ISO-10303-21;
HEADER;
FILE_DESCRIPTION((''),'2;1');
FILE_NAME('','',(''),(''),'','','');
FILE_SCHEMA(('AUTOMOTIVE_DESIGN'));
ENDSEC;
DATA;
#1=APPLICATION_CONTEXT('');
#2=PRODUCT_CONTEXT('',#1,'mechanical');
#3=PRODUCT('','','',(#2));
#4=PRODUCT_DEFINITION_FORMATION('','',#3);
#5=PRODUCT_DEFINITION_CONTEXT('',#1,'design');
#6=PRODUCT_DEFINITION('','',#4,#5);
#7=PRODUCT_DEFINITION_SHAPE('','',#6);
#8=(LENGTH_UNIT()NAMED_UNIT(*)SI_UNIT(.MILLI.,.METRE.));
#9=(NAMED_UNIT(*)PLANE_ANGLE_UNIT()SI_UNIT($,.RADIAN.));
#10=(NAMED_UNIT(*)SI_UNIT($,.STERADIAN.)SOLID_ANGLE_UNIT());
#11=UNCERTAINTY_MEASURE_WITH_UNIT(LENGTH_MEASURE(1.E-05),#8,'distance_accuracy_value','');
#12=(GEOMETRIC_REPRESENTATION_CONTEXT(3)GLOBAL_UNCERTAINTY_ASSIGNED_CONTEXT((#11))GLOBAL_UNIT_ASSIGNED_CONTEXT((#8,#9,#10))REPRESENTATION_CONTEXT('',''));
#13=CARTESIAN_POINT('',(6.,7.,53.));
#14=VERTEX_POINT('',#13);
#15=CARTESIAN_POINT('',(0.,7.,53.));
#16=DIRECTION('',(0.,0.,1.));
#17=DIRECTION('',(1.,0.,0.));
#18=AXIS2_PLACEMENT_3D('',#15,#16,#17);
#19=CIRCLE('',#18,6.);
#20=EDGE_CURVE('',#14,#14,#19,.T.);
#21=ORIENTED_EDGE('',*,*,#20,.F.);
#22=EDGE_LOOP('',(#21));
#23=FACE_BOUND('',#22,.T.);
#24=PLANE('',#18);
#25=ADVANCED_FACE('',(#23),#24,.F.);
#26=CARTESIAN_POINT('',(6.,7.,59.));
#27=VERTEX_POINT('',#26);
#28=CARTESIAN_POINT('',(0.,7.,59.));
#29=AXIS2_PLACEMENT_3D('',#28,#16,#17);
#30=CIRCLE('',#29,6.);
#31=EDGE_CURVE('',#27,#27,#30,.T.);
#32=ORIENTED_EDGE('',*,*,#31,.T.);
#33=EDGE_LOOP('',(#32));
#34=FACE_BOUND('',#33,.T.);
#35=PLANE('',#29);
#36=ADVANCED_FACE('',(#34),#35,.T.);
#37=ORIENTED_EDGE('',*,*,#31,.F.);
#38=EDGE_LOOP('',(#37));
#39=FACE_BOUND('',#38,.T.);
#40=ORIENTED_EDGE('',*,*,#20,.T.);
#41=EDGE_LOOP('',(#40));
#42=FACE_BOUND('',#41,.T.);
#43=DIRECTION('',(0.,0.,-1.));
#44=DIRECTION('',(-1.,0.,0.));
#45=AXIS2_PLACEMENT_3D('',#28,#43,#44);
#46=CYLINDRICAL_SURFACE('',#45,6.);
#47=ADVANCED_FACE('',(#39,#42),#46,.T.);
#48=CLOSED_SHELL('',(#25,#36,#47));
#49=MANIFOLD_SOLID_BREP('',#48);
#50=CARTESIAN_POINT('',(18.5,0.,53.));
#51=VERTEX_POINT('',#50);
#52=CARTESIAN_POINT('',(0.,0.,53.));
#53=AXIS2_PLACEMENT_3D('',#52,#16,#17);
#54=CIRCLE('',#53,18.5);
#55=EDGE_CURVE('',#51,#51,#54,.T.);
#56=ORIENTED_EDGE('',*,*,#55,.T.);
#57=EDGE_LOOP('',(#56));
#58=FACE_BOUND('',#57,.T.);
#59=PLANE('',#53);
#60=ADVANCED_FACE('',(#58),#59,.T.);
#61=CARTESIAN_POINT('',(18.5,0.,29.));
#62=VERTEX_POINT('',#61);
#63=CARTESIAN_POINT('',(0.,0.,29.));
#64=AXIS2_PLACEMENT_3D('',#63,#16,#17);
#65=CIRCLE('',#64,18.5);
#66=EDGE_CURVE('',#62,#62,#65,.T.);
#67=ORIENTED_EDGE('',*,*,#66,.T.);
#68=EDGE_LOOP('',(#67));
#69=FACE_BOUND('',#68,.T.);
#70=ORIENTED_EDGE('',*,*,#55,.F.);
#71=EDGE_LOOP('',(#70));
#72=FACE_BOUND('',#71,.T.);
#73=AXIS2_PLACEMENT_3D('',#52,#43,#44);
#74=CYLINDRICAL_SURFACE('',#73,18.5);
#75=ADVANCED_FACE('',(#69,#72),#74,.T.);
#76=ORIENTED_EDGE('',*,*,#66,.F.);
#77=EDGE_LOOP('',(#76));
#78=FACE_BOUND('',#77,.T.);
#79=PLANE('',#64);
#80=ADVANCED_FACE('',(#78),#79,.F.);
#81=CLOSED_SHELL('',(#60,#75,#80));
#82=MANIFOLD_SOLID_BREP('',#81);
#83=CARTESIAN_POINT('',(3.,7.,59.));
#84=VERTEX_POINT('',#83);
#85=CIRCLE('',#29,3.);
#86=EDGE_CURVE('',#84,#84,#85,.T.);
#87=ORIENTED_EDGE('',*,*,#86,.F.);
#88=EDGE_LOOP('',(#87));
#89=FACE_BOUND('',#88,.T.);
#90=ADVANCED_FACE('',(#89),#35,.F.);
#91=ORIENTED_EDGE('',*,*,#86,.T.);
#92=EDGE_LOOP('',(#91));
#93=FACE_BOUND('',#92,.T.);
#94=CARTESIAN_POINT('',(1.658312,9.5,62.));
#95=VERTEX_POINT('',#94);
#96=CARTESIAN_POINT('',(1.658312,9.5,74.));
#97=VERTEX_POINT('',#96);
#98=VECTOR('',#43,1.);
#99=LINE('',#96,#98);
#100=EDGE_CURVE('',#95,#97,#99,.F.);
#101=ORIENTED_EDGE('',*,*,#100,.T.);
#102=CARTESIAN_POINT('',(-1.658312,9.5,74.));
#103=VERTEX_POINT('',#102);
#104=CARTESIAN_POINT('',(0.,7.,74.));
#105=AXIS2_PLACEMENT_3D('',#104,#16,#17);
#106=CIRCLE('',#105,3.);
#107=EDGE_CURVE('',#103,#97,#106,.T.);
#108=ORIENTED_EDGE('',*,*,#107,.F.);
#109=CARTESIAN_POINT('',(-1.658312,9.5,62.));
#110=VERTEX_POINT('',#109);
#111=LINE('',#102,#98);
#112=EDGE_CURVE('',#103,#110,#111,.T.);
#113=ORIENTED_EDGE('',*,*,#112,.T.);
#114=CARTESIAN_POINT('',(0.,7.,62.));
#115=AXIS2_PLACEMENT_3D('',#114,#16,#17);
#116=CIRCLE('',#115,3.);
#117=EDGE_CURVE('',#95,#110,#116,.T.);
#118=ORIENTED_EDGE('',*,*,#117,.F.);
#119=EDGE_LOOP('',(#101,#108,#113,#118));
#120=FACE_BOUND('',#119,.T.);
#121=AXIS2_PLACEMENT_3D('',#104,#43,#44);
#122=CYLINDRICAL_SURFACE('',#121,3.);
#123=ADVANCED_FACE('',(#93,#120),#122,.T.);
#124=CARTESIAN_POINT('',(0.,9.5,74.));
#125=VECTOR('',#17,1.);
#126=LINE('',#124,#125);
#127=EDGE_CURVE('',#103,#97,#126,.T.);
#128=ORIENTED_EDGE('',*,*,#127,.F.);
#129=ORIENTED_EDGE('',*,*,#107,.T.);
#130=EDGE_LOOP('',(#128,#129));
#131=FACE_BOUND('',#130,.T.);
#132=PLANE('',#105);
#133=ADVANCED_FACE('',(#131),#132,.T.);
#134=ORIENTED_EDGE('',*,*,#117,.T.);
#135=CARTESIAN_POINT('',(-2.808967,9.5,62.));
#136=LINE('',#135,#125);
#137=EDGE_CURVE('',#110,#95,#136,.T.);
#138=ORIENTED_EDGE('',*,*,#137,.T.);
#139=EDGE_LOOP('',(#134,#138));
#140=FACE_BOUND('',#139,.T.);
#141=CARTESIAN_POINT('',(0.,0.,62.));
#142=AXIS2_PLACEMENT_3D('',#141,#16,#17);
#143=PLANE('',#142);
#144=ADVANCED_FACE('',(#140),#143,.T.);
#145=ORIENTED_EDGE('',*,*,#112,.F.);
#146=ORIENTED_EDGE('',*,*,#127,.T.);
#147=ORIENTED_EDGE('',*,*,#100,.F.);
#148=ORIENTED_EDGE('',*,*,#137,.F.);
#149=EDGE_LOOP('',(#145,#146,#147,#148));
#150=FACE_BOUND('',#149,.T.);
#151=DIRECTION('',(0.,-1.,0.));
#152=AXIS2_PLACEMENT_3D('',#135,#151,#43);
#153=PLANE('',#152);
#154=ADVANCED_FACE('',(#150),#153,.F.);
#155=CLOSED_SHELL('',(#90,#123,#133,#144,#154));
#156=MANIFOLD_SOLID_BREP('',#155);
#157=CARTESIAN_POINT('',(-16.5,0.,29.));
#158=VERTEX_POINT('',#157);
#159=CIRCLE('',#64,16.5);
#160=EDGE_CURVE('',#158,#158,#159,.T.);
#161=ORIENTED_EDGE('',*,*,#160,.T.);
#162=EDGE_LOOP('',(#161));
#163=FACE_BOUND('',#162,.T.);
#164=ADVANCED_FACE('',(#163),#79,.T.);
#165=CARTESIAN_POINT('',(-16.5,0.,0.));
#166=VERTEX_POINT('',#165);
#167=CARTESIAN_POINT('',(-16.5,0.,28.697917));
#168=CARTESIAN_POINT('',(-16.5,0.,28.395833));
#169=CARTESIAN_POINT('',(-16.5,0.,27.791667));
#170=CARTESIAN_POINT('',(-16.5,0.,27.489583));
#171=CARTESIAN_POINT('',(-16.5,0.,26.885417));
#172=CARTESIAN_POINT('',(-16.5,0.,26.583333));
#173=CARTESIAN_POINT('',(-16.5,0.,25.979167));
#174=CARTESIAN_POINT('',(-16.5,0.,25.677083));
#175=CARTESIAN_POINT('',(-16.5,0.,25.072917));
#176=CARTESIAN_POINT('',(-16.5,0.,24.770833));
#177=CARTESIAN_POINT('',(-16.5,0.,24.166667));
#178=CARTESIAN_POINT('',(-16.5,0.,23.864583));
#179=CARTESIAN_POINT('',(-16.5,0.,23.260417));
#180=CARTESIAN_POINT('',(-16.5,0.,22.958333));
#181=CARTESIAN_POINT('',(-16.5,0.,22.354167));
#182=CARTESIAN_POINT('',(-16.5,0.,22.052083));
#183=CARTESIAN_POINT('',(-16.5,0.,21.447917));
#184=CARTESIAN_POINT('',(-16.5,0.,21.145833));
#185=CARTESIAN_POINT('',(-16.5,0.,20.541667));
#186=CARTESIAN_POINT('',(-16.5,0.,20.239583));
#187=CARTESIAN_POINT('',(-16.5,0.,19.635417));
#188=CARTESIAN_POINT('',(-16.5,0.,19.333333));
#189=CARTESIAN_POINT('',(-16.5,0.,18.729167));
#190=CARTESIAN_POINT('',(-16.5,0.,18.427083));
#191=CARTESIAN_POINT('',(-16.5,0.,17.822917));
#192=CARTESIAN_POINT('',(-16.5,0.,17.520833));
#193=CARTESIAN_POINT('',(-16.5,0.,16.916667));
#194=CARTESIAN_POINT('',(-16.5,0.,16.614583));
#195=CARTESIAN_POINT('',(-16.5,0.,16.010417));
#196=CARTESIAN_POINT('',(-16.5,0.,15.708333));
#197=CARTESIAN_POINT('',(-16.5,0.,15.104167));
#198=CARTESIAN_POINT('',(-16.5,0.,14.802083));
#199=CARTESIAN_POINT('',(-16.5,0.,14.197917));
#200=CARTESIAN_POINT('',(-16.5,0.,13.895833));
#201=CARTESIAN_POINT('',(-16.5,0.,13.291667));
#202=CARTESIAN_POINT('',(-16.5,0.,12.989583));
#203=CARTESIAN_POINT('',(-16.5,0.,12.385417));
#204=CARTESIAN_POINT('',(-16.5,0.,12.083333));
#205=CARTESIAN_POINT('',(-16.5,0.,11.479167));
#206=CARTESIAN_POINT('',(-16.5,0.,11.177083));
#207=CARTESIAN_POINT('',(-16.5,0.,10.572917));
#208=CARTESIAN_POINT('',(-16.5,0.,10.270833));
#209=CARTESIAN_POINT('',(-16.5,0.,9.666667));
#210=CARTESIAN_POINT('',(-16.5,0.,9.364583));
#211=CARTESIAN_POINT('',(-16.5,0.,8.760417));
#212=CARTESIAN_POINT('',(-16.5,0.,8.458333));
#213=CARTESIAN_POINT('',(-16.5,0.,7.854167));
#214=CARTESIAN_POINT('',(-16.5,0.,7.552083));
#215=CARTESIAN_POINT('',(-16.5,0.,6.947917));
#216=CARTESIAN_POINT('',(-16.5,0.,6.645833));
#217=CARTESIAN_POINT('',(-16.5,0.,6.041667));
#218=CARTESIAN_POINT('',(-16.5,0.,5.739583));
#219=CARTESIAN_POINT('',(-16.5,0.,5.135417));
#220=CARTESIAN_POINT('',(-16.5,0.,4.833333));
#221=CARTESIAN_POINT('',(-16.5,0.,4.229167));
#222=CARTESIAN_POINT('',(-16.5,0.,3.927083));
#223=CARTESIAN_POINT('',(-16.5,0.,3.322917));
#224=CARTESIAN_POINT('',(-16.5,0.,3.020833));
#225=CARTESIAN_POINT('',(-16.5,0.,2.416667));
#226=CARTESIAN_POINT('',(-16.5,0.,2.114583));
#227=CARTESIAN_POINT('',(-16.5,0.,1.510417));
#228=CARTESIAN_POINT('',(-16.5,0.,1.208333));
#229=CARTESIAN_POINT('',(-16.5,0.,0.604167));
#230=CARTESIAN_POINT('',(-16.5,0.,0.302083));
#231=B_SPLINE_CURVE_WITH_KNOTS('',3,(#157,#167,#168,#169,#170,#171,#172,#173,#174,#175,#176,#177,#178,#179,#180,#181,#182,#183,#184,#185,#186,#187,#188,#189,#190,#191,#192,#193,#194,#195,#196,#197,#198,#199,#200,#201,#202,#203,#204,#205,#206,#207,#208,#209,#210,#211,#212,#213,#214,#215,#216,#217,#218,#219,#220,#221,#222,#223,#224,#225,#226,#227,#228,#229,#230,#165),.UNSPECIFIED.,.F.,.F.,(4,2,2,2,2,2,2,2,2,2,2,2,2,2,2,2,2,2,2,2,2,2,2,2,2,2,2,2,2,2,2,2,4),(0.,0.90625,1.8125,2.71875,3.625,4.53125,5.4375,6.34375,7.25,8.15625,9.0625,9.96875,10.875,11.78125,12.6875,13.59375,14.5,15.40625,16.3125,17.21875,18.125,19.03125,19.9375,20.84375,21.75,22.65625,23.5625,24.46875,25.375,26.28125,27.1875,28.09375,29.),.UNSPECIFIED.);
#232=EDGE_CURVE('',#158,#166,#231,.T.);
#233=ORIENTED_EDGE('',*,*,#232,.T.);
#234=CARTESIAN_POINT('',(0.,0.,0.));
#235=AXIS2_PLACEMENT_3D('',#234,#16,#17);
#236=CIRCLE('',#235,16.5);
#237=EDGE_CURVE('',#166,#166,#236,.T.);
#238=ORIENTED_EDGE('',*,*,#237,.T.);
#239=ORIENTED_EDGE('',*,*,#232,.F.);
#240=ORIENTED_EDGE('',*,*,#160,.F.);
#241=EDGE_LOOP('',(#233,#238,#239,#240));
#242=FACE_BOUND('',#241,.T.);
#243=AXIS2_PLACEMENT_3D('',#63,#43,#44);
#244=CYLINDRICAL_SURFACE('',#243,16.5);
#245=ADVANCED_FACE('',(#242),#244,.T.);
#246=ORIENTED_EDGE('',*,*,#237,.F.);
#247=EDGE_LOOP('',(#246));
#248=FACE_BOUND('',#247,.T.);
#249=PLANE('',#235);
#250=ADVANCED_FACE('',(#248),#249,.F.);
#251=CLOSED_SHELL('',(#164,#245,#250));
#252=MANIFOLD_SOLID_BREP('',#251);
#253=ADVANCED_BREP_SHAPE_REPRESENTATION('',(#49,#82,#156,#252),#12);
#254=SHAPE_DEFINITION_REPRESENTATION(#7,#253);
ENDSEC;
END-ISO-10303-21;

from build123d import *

# Parameters (mm, degrees)
SKIZZE1_R                       = 16.5
AUFSATZ_LINEAR_AUSTRAGEN1_DEPTH = 29
SKIZZE2_R                       = 18.5
AUFSATZ_LINEAR_AUSTRAGEN2_DEPTH = 24
SKIZZE3_R                       = 6
AUFSATZ_LINEAR_AUSTRAGEN3_DEPTH = 6
SKIZZE4_R                       = 3
AUFSATZ_LINEAR_AUSTRAGEN4_DEPTH = 15
SKIZZE5_W                       = 5.984100999
SKIZZE5_H                       = 2.255405848
SCHNITT_LINEAR_AUSTRAGEN1_DEPTH = 12


with BuildPart() as part:
    # Skizze1 → Aufsatz-Linear austragen1 (new body)
    with BuildSketch(Plane(origin=(0, 0, 0), x_dir=(0, 1, 0), z_dir=(0, 0, 1))):
        with Locations(Location((0, 0, 0), (0, 0, 90))):
            Circle(SKIZZE1_R)
    extrude(amount=AUFSATZ_LINEAR_AUSTRAGEN1_DEPTH)


with BuildPart() as body_2:
    # Skizze2 → Aufsatz-Linear austragen2 (new body)
    with BuildSketch(Plane.XY.offset(29)):
        Circle(SKIZZE2_R)
    extrude(amount=AUFSATZ_LINEAR_AUSTRAGEN2_DEPTH)


with BuildPart() as body_3:
    # Skizze3 → Aufsatz-Linear austragen3 (new body)
    with BuildSketch(Plane.XY.offset(53)):
        with Locations((0, 7)):
            Circle(SKIZZE3_R)
    extrude(amount=AUFSATZ_LINEAR_AUSTRAGEN3_DEPTH)


with BuildPart() as body_4:
    # Skizze4 → Aufsatz-Linear austragen4 (new body)
    with BuildSketch(Plane.XY.offset(59)):
        with Locations((0, 7)):
            Circle(SKIZZE4_R)
    extrude(amount=AUFSATZ_LINEAR_AUSTRAGEN4_DEPTH)

    # Skizze5 → Schnitt-Linear austragen1 (cut)
    with BuildSketch(Plane.XY.offset(74)):
        with Locations((0.183083145, 10.627702924)):
            Rectangle(SKIZZE5_W, SKIZZE5_H)
    extrude(amount=-SCHNITT_LINEAR_AUSTRAGEN1_DEPTH, mode=Mode.SUBTRACT)


solid = Compound([part.part, body_2.part, body_3.part, body_4.part])
